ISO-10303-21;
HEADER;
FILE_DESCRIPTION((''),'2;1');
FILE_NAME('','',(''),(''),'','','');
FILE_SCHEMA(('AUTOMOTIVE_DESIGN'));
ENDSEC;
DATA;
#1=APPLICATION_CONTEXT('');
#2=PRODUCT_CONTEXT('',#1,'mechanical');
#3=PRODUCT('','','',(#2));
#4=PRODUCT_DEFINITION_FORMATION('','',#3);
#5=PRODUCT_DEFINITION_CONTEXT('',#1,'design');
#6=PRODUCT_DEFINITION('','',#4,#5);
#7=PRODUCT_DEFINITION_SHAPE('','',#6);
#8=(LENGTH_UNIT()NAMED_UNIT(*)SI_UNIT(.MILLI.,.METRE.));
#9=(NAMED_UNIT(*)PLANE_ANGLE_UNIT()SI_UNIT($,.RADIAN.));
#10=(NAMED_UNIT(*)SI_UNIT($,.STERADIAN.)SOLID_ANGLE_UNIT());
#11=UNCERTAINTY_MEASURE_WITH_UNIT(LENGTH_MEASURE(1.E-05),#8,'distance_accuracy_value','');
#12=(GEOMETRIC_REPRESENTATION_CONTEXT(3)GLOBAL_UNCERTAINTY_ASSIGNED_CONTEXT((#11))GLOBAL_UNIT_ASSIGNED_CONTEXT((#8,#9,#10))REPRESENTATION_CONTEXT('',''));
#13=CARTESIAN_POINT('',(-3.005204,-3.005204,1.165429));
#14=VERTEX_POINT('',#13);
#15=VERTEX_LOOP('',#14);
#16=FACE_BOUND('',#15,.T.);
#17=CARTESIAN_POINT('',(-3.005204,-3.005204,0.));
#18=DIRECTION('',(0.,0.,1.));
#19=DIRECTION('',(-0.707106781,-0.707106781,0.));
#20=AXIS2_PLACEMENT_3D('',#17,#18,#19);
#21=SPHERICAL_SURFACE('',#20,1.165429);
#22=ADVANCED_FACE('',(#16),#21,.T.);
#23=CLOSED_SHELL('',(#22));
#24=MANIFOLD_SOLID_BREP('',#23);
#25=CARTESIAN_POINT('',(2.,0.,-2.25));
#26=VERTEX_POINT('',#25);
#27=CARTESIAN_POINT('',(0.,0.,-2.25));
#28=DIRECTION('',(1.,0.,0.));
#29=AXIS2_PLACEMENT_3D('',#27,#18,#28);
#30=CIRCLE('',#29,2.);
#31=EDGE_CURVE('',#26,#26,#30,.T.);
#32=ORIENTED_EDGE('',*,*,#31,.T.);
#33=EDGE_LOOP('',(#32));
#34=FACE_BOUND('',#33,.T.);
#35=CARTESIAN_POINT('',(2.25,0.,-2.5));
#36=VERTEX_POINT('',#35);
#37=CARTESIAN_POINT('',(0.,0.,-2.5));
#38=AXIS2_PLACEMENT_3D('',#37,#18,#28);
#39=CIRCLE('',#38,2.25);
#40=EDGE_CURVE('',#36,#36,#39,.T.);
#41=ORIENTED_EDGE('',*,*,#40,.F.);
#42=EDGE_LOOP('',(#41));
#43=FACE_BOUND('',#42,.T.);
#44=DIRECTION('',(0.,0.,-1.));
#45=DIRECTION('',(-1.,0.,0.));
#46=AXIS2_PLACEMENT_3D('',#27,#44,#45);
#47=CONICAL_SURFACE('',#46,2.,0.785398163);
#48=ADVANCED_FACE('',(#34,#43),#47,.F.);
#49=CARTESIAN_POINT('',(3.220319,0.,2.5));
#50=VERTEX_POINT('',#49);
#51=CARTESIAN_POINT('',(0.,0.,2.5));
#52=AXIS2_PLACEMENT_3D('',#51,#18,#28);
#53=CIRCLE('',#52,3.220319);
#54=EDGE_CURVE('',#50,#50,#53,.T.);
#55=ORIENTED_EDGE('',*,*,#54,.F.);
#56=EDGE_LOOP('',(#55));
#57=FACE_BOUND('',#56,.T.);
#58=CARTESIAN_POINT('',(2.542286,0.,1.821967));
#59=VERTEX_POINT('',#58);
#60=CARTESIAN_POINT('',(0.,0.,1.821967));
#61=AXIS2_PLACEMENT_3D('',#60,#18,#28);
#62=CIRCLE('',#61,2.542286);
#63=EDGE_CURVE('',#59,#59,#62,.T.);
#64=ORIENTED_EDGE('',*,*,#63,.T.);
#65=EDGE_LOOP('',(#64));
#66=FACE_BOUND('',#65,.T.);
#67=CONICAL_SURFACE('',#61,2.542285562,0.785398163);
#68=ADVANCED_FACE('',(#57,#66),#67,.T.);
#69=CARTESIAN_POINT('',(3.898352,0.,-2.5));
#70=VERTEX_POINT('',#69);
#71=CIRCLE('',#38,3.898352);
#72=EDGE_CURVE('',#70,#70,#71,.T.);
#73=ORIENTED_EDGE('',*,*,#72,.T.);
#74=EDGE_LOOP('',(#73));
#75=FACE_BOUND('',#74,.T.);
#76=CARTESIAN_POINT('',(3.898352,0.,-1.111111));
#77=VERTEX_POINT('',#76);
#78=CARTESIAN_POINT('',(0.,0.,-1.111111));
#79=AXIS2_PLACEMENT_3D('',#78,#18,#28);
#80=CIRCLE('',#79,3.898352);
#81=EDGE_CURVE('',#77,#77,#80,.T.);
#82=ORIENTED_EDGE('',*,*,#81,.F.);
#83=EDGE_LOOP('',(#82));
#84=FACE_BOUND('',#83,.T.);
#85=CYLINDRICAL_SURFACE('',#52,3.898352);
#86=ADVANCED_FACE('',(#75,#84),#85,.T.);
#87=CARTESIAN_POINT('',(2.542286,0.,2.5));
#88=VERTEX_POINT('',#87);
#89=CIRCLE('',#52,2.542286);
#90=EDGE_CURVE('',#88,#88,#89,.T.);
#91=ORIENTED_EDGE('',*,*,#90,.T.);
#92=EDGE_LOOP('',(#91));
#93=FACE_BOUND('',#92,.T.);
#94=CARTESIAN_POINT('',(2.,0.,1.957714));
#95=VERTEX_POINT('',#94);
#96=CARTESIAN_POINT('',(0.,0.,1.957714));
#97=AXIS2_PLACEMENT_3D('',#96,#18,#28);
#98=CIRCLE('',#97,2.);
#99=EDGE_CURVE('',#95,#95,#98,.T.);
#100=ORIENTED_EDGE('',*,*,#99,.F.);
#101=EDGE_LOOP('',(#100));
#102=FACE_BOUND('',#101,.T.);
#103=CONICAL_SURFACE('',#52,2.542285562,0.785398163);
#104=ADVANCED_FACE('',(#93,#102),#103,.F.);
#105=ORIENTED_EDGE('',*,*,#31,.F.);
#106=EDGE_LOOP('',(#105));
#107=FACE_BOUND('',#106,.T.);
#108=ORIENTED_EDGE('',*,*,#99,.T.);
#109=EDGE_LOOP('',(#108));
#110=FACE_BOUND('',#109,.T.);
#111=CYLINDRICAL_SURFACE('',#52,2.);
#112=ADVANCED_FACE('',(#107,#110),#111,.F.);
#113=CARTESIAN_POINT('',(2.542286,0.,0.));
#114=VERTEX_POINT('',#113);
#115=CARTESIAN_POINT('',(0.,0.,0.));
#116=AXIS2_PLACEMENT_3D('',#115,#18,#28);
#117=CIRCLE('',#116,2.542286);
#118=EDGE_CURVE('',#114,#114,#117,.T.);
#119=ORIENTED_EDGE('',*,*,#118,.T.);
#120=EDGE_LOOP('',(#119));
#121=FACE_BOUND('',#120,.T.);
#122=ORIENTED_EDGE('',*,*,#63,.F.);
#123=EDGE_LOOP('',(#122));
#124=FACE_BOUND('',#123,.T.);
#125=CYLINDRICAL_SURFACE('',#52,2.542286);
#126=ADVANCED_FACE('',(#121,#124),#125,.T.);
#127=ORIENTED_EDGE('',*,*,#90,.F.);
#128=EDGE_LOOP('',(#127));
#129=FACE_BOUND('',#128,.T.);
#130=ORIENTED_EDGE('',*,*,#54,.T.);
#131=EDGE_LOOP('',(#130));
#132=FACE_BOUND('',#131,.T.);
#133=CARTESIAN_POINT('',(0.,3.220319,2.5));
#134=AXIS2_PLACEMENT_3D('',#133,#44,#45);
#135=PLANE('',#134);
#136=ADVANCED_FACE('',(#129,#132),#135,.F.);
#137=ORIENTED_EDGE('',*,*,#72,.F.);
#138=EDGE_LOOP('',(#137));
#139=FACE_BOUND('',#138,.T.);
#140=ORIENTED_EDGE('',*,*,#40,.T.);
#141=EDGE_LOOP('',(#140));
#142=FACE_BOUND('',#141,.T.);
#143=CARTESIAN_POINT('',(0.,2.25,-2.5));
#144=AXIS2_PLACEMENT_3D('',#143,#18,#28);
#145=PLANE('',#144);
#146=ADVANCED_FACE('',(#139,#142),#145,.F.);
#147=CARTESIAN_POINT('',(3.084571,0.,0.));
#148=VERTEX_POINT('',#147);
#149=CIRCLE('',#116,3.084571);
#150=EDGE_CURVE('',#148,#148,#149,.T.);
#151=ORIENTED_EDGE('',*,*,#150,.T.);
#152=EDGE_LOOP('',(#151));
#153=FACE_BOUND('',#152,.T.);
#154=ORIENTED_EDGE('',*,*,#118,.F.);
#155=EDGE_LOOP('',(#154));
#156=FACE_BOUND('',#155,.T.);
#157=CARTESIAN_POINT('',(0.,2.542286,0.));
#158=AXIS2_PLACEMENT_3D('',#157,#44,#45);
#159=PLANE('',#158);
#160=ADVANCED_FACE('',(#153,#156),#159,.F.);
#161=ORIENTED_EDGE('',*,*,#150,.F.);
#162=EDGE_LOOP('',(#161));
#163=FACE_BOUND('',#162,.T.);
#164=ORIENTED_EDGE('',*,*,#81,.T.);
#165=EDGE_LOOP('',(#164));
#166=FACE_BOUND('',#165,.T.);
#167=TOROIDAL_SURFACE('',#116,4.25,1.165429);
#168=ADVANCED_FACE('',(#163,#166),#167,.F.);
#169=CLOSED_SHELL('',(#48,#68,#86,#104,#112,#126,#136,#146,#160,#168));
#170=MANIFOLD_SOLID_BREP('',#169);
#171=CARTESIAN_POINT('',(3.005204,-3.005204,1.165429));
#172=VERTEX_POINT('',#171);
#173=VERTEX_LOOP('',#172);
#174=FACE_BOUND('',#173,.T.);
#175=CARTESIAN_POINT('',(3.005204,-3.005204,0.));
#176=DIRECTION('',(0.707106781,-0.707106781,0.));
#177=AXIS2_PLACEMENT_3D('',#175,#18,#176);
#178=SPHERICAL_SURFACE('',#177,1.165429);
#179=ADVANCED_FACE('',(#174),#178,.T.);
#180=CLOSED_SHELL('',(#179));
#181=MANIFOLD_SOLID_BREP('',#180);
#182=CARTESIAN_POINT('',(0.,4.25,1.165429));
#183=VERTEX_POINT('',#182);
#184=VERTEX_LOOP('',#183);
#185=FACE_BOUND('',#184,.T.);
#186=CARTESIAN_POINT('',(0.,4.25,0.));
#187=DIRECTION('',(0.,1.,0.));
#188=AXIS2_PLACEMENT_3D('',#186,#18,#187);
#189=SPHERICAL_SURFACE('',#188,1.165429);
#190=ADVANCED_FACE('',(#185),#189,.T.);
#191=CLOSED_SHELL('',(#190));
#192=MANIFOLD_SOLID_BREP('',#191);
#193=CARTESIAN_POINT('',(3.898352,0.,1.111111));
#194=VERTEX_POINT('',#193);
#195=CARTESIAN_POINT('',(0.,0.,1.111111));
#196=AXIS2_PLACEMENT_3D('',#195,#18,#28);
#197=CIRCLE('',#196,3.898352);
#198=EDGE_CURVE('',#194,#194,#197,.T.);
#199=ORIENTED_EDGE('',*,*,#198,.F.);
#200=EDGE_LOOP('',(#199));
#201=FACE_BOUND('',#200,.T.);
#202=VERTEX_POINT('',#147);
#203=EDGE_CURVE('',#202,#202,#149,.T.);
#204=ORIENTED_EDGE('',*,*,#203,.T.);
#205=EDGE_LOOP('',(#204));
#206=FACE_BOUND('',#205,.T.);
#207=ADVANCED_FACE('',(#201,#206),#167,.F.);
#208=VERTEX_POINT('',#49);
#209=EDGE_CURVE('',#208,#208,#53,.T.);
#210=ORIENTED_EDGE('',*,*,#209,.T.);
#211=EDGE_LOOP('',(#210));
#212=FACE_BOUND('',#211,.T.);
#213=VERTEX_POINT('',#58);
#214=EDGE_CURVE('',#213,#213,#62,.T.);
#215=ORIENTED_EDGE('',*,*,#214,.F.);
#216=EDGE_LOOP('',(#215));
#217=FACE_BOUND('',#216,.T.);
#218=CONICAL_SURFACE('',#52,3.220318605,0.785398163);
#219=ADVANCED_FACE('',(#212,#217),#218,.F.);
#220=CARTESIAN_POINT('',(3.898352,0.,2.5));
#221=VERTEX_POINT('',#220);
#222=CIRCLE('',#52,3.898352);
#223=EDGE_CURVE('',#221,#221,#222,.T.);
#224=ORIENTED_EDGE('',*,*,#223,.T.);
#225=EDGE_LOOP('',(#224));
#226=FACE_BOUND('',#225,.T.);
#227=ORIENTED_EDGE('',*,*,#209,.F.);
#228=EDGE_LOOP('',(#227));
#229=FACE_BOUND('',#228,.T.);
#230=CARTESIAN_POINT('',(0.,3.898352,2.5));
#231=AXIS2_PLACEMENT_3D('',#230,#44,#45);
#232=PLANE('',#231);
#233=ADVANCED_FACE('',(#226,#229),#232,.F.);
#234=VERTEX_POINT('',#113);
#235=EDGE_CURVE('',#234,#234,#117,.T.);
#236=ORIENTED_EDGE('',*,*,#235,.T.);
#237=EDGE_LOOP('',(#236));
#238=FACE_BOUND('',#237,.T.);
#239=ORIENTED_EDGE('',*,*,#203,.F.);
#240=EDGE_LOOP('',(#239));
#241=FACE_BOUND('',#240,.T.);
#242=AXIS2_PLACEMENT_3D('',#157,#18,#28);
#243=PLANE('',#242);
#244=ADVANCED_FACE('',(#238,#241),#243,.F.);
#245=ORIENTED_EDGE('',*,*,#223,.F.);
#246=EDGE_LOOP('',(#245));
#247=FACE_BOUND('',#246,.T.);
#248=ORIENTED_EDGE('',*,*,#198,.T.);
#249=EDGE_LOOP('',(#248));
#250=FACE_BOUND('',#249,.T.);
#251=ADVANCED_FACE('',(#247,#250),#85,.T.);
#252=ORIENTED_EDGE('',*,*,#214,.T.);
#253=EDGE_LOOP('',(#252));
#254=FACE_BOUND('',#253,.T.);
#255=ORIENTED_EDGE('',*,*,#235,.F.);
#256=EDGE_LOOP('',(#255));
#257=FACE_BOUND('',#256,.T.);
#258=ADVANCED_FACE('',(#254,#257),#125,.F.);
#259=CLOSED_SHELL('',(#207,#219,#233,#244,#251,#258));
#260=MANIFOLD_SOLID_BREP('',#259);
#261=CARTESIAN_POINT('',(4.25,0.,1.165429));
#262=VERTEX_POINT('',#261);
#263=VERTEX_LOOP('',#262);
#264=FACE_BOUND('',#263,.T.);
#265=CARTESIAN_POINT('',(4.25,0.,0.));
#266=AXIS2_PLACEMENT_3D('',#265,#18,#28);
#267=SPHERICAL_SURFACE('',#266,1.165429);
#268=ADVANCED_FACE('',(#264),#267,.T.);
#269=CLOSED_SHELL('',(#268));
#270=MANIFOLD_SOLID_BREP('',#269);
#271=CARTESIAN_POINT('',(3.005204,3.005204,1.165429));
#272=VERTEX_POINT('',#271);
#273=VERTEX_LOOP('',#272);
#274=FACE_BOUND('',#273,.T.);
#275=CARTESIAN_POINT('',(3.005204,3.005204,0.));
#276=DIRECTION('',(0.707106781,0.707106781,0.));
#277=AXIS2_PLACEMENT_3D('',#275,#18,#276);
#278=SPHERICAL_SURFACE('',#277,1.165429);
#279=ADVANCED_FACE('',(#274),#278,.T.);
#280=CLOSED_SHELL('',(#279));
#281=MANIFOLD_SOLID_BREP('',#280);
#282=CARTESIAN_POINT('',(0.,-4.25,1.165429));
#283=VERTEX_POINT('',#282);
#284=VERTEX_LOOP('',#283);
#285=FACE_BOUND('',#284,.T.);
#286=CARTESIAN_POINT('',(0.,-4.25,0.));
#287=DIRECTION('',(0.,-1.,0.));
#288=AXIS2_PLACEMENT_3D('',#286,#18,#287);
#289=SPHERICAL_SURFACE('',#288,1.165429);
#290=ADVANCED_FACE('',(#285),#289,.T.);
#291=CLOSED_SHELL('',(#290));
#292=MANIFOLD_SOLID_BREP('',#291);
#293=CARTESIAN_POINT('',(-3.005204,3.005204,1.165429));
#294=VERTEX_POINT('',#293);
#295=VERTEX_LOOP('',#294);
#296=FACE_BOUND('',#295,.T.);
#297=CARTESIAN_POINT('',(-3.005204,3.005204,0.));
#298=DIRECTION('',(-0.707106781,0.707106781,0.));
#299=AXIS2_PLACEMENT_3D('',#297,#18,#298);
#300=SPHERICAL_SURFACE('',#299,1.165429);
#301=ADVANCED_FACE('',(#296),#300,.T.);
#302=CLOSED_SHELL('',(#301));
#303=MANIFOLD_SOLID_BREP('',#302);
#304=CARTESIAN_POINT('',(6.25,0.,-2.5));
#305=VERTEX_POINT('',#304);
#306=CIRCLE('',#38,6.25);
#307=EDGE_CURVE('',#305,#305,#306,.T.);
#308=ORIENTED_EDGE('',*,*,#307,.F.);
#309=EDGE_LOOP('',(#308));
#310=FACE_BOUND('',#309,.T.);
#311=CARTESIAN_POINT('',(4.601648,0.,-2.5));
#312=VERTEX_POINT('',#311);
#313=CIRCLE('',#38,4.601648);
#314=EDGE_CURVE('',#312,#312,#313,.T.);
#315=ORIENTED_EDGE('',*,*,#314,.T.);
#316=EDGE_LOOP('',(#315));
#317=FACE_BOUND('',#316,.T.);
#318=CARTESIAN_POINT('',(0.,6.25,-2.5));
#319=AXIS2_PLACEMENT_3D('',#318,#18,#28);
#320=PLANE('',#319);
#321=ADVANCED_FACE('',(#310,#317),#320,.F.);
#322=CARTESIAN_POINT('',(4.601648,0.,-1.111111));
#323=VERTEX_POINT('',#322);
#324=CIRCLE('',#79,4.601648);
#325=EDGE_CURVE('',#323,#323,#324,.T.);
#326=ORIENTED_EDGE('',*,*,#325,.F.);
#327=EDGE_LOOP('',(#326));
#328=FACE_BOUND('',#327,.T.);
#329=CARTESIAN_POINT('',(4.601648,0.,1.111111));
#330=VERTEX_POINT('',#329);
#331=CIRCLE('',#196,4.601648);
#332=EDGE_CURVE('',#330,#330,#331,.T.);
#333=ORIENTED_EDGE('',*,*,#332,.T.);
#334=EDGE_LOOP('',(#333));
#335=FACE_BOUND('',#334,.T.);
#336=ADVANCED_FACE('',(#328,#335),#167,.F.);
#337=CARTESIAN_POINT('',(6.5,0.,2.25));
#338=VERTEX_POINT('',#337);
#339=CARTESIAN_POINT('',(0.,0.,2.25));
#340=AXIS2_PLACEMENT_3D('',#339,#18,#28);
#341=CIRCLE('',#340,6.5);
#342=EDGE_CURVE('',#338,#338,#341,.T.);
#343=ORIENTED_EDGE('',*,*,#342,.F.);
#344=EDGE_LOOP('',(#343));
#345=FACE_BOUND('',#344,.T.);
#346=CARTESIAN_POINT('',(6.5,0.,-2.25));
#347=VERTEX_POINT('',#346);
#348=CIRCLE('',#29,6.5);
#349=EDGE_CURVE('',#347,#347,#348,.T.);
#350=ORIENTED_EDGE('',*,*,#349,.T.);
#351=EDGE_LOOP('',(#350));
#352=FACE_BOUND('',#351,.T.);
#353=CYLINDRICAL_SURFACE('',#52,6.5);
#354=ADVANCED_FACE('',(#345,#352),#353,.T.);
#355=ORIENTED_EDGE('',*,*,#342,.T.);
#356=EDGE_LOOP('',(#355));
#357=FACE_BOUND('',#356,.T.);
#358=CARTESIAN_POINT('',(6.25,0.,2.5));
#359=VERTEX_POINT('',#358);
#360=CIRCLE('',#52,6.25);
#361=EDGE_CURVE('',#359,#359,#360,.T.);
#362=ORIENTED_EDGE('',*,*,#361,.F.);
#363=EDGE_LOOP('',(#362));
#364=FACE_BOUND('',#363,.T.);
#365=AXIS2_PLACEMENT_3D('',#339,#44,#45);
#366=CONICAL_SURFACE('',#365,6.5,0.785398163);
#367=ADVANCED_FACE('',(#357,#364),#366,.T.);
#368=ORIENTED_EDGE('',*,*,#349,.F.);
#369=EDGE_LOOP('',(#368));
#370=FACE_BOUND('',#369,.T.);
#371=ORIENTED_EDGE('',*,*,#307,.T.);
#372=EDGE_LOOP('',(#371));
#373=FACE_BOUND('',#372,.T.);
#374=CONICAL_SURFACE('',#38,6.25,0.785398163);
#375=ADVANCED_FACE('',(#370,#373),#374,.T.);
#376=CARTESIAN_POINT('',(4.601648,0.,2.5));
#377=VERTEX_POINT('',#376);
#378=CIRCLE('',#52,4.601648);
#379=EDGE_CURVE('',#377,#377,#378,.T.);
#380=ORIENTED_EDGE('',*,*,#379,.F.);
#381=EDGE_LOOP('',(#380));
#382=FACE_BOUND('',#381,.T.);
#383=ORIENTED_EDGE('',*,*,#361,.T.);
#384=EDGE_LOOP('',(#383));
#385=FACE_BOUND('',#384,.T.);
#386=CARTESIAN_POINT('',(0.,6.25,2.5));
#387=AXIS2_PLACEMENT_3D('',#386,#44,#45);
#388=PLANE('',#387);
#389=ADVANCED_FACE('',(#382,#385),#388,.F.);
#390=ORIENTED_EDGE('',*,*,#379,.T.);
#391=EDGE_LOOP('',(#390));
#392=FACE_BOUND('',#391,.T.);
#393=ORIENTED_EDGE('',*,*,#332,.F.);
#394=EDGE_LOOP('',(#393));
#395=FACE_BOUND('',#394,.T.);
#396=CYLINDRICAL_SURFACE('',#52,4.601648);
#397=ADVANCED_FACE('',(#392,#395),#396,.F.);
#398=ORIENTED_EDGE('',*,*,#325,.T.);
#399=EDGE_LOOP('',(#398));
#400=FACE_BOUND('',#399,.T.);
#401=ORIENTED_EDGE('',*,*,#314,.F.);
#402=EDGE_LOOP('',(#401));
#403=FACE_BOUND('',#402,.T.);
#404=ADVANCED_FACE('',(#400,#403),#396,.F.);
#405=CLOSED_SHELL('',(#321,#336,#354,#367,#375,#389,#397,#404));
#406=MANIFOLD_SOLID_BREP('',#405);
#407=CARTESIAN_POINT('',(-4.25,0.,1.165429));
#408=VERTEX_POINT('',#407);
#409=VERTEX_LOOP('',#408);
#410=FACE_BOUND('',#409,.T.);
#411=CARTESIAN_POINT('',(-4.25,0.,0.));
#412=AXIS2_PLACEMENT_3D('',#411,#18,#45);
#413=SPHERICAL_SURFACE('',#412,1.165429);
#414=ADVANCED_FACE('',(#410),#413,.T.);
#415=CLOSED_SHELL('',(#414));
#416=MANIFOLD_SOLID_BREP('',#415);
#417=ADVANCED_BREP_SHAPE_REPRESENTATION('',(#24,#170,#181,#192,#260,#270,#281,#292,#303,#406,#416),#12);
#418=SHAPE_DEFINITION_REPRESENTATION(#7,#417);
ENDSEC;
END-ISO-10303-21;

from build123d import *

# Parameters (mm, degrees)
CIRPATTERN1_COUNT = 8


with BuildPart() as part:
    # Sketch1 → Revolve1 (revolve)
    with BuildSketch(Plane(origin=(0, 0, 0), x_dir=(0, 0, -1), z_dir=(1, 0, 0))):
        with BuildLine():
            Line((2.25, 6.5), (-2.25, 6.5))
            Line((-2.25, 6.5), (-2.5, 6.25))
            Line((-2.5, 6.25), (-2.5, 4.601648352))
            Line((-2.5, 4.601648352), (-1.111111111, 4.601648352))
            ThreePointArc((-1.111111111, 4.601648352), (0, 5.415428876), (1.111111111, 4.601648352))
            Line((1.111111111, 4.601648352), (2.5, 4.601648352))
            Line((2.5, 4.601648352), (2.5, 6.25))
            Line((2.5, 6.25), (2.25, 6.5))
        make_face()
    revolve(axis=Axis((0, 0, 2.5), (0, 0, -1)))


with BuildPart() as body_2:
    # Sketch2 → Revolve2 (revolve)
    with BuildSketch(Plane(origin=(0, 0, 0), x_dir=(0, 0, -1), z_dir=(1, 0, 0))):
        with BuildLine():
            Line((-2.5, 3.898351648), (-1.111111111, 3.898351648))
            ThreePointArc((-1.111111111, 3.898351648), (-0.688623018, 3.309775131), (0, 3.084571124))
            Line((0, 3.084571124), (0, 2.542285562))
            Line((0, 2.542285562), (-1.821966957, 2.542285562))
            Line((-1.821966957, 2.542285562), (-2.5, 3.220318605))
            Line((-2.5, 3.220318605), (-2.5, 3.898351648))
        make_face()
    revolve(axis=Axis((0, 0, 2.5), (0, 0, -1)))


with BuildPart() as body_3:
    # Sketch3 → Revolve3 (revolve)
    with BuildSketch(Plane(origin=(0, 0, 0), x_dir=(0, 0, -1), z_dir=(1, 0, 0))):
        with BuildLine():
            Line((-2.5, 3.220318605), (-1.821966957, 2.542285562))
            Line((-1.821966957, 2.542285562), (0, 2.542285562))
            Line((0, 2.542285562), (0, 3.084571124))
            ThreePointArc((0, 3.084571124), (0.688623018, 3.309775131), (1.111111111, 3.898351648))
            Line((1.111111111, 3.898351648), (2.5, 3.898351648))
            Line((2.5, 3.898351648), (2.5, 2.25))
            Line((2.5, 2.25), (2.25, 2))
            Line((2.25, 2), (-1.957714438, 2))
            Line((-1.957714438, 2), (-2.5, 2.542285562))
            Line((-2.5, 2.542285562), (-2.5, 3.220318605))
        make_face()
    revolve(axis=Axis((0, 0, 2.5), (0, 0, -1)))


with BuildPart() as body_4:
    # Sketch4 → Revolve4 (revolve)
    with BuildSketch(Plane(origin=(0, 0, 0), x_dir=(0, 0, -1), z_dir=(1, 0, 0))):
        with BuildLine():
            Line((-1.165428876, 4.25), (1.165428876, 4.25))
            ThreePointArc((1.165428876, 4.25), (0, 5.415428876), (-1.165428876, 4.25))
        make_face()
    revolve(axis=Axis((0, 4.25, 1.165428876), (0, 0, -1)))


with BuildPart() as cirpattern1_1:
    # CirPattern1: pattern copy
    add(body_4.part.rotate(Axis((0, 0, -2.5), (0, 0, 1)), 1 * 360 / CIRPATTERN1_COUNT))


with BuildPart() as cirpattern1_2:
    # CirPattern1: pattern copy
    add(body_4.part.rotate(Axis((0, 0, -2.5), (0, 0, 1)), 2 * 360 / CIRPATTERN1_COUNT))


with BuildPart() as cirpattern1_3:
    # CirPattern1: pattern copy
    add(body_4.part.rotate(Axis((0, 0, -2.5), (0, 0, 1)), 3 * 360 / CIRPATTERN1_COUNT))


with BuildPart() as cirpattern1_4:
    # CirPattern1: pattern copy
    add(body_4.part.rotate(Axis((0, 0, -2.5), (0, 0, 1)), 4 * 360 / CIRPATTERN1_COUNT))


with BuildPart() as cirpattern1_5:
    # CirPattern1: pattern copy
    add(body_4.part.rotate(Axis((0, 0, -2.5), (0, 0, 1)), 5 * 360 / CIRPATTERN1_COUNT))


with BuildPart() as cirpattern1_6:
    # CirPattern1: pattern copy
    add(body_4.part.rotate(Axis((0, 0, -2.5), (0, 0, 1)), 6 * 360 / CIRPATTERN1_COUNT))


with BuildPart() as cirpattern1_7:
    # CirPattern1: pattern copy
    add(body_4.part.rotate(Axis((0, 0, -2.5), (0, 0, 1)), 7 * 360 / CIRPATTERN1_COUNT))


solid = Compound([part.part, body_2.part, body_3.part, body_4.part, cirpattern1_1.part, cirpattern1_2.part, cirpattern1_3.part, cirpattern1_4.part, cirpattern1_5.part, cirpattern1_6.part, cirpattern1_7.part])
